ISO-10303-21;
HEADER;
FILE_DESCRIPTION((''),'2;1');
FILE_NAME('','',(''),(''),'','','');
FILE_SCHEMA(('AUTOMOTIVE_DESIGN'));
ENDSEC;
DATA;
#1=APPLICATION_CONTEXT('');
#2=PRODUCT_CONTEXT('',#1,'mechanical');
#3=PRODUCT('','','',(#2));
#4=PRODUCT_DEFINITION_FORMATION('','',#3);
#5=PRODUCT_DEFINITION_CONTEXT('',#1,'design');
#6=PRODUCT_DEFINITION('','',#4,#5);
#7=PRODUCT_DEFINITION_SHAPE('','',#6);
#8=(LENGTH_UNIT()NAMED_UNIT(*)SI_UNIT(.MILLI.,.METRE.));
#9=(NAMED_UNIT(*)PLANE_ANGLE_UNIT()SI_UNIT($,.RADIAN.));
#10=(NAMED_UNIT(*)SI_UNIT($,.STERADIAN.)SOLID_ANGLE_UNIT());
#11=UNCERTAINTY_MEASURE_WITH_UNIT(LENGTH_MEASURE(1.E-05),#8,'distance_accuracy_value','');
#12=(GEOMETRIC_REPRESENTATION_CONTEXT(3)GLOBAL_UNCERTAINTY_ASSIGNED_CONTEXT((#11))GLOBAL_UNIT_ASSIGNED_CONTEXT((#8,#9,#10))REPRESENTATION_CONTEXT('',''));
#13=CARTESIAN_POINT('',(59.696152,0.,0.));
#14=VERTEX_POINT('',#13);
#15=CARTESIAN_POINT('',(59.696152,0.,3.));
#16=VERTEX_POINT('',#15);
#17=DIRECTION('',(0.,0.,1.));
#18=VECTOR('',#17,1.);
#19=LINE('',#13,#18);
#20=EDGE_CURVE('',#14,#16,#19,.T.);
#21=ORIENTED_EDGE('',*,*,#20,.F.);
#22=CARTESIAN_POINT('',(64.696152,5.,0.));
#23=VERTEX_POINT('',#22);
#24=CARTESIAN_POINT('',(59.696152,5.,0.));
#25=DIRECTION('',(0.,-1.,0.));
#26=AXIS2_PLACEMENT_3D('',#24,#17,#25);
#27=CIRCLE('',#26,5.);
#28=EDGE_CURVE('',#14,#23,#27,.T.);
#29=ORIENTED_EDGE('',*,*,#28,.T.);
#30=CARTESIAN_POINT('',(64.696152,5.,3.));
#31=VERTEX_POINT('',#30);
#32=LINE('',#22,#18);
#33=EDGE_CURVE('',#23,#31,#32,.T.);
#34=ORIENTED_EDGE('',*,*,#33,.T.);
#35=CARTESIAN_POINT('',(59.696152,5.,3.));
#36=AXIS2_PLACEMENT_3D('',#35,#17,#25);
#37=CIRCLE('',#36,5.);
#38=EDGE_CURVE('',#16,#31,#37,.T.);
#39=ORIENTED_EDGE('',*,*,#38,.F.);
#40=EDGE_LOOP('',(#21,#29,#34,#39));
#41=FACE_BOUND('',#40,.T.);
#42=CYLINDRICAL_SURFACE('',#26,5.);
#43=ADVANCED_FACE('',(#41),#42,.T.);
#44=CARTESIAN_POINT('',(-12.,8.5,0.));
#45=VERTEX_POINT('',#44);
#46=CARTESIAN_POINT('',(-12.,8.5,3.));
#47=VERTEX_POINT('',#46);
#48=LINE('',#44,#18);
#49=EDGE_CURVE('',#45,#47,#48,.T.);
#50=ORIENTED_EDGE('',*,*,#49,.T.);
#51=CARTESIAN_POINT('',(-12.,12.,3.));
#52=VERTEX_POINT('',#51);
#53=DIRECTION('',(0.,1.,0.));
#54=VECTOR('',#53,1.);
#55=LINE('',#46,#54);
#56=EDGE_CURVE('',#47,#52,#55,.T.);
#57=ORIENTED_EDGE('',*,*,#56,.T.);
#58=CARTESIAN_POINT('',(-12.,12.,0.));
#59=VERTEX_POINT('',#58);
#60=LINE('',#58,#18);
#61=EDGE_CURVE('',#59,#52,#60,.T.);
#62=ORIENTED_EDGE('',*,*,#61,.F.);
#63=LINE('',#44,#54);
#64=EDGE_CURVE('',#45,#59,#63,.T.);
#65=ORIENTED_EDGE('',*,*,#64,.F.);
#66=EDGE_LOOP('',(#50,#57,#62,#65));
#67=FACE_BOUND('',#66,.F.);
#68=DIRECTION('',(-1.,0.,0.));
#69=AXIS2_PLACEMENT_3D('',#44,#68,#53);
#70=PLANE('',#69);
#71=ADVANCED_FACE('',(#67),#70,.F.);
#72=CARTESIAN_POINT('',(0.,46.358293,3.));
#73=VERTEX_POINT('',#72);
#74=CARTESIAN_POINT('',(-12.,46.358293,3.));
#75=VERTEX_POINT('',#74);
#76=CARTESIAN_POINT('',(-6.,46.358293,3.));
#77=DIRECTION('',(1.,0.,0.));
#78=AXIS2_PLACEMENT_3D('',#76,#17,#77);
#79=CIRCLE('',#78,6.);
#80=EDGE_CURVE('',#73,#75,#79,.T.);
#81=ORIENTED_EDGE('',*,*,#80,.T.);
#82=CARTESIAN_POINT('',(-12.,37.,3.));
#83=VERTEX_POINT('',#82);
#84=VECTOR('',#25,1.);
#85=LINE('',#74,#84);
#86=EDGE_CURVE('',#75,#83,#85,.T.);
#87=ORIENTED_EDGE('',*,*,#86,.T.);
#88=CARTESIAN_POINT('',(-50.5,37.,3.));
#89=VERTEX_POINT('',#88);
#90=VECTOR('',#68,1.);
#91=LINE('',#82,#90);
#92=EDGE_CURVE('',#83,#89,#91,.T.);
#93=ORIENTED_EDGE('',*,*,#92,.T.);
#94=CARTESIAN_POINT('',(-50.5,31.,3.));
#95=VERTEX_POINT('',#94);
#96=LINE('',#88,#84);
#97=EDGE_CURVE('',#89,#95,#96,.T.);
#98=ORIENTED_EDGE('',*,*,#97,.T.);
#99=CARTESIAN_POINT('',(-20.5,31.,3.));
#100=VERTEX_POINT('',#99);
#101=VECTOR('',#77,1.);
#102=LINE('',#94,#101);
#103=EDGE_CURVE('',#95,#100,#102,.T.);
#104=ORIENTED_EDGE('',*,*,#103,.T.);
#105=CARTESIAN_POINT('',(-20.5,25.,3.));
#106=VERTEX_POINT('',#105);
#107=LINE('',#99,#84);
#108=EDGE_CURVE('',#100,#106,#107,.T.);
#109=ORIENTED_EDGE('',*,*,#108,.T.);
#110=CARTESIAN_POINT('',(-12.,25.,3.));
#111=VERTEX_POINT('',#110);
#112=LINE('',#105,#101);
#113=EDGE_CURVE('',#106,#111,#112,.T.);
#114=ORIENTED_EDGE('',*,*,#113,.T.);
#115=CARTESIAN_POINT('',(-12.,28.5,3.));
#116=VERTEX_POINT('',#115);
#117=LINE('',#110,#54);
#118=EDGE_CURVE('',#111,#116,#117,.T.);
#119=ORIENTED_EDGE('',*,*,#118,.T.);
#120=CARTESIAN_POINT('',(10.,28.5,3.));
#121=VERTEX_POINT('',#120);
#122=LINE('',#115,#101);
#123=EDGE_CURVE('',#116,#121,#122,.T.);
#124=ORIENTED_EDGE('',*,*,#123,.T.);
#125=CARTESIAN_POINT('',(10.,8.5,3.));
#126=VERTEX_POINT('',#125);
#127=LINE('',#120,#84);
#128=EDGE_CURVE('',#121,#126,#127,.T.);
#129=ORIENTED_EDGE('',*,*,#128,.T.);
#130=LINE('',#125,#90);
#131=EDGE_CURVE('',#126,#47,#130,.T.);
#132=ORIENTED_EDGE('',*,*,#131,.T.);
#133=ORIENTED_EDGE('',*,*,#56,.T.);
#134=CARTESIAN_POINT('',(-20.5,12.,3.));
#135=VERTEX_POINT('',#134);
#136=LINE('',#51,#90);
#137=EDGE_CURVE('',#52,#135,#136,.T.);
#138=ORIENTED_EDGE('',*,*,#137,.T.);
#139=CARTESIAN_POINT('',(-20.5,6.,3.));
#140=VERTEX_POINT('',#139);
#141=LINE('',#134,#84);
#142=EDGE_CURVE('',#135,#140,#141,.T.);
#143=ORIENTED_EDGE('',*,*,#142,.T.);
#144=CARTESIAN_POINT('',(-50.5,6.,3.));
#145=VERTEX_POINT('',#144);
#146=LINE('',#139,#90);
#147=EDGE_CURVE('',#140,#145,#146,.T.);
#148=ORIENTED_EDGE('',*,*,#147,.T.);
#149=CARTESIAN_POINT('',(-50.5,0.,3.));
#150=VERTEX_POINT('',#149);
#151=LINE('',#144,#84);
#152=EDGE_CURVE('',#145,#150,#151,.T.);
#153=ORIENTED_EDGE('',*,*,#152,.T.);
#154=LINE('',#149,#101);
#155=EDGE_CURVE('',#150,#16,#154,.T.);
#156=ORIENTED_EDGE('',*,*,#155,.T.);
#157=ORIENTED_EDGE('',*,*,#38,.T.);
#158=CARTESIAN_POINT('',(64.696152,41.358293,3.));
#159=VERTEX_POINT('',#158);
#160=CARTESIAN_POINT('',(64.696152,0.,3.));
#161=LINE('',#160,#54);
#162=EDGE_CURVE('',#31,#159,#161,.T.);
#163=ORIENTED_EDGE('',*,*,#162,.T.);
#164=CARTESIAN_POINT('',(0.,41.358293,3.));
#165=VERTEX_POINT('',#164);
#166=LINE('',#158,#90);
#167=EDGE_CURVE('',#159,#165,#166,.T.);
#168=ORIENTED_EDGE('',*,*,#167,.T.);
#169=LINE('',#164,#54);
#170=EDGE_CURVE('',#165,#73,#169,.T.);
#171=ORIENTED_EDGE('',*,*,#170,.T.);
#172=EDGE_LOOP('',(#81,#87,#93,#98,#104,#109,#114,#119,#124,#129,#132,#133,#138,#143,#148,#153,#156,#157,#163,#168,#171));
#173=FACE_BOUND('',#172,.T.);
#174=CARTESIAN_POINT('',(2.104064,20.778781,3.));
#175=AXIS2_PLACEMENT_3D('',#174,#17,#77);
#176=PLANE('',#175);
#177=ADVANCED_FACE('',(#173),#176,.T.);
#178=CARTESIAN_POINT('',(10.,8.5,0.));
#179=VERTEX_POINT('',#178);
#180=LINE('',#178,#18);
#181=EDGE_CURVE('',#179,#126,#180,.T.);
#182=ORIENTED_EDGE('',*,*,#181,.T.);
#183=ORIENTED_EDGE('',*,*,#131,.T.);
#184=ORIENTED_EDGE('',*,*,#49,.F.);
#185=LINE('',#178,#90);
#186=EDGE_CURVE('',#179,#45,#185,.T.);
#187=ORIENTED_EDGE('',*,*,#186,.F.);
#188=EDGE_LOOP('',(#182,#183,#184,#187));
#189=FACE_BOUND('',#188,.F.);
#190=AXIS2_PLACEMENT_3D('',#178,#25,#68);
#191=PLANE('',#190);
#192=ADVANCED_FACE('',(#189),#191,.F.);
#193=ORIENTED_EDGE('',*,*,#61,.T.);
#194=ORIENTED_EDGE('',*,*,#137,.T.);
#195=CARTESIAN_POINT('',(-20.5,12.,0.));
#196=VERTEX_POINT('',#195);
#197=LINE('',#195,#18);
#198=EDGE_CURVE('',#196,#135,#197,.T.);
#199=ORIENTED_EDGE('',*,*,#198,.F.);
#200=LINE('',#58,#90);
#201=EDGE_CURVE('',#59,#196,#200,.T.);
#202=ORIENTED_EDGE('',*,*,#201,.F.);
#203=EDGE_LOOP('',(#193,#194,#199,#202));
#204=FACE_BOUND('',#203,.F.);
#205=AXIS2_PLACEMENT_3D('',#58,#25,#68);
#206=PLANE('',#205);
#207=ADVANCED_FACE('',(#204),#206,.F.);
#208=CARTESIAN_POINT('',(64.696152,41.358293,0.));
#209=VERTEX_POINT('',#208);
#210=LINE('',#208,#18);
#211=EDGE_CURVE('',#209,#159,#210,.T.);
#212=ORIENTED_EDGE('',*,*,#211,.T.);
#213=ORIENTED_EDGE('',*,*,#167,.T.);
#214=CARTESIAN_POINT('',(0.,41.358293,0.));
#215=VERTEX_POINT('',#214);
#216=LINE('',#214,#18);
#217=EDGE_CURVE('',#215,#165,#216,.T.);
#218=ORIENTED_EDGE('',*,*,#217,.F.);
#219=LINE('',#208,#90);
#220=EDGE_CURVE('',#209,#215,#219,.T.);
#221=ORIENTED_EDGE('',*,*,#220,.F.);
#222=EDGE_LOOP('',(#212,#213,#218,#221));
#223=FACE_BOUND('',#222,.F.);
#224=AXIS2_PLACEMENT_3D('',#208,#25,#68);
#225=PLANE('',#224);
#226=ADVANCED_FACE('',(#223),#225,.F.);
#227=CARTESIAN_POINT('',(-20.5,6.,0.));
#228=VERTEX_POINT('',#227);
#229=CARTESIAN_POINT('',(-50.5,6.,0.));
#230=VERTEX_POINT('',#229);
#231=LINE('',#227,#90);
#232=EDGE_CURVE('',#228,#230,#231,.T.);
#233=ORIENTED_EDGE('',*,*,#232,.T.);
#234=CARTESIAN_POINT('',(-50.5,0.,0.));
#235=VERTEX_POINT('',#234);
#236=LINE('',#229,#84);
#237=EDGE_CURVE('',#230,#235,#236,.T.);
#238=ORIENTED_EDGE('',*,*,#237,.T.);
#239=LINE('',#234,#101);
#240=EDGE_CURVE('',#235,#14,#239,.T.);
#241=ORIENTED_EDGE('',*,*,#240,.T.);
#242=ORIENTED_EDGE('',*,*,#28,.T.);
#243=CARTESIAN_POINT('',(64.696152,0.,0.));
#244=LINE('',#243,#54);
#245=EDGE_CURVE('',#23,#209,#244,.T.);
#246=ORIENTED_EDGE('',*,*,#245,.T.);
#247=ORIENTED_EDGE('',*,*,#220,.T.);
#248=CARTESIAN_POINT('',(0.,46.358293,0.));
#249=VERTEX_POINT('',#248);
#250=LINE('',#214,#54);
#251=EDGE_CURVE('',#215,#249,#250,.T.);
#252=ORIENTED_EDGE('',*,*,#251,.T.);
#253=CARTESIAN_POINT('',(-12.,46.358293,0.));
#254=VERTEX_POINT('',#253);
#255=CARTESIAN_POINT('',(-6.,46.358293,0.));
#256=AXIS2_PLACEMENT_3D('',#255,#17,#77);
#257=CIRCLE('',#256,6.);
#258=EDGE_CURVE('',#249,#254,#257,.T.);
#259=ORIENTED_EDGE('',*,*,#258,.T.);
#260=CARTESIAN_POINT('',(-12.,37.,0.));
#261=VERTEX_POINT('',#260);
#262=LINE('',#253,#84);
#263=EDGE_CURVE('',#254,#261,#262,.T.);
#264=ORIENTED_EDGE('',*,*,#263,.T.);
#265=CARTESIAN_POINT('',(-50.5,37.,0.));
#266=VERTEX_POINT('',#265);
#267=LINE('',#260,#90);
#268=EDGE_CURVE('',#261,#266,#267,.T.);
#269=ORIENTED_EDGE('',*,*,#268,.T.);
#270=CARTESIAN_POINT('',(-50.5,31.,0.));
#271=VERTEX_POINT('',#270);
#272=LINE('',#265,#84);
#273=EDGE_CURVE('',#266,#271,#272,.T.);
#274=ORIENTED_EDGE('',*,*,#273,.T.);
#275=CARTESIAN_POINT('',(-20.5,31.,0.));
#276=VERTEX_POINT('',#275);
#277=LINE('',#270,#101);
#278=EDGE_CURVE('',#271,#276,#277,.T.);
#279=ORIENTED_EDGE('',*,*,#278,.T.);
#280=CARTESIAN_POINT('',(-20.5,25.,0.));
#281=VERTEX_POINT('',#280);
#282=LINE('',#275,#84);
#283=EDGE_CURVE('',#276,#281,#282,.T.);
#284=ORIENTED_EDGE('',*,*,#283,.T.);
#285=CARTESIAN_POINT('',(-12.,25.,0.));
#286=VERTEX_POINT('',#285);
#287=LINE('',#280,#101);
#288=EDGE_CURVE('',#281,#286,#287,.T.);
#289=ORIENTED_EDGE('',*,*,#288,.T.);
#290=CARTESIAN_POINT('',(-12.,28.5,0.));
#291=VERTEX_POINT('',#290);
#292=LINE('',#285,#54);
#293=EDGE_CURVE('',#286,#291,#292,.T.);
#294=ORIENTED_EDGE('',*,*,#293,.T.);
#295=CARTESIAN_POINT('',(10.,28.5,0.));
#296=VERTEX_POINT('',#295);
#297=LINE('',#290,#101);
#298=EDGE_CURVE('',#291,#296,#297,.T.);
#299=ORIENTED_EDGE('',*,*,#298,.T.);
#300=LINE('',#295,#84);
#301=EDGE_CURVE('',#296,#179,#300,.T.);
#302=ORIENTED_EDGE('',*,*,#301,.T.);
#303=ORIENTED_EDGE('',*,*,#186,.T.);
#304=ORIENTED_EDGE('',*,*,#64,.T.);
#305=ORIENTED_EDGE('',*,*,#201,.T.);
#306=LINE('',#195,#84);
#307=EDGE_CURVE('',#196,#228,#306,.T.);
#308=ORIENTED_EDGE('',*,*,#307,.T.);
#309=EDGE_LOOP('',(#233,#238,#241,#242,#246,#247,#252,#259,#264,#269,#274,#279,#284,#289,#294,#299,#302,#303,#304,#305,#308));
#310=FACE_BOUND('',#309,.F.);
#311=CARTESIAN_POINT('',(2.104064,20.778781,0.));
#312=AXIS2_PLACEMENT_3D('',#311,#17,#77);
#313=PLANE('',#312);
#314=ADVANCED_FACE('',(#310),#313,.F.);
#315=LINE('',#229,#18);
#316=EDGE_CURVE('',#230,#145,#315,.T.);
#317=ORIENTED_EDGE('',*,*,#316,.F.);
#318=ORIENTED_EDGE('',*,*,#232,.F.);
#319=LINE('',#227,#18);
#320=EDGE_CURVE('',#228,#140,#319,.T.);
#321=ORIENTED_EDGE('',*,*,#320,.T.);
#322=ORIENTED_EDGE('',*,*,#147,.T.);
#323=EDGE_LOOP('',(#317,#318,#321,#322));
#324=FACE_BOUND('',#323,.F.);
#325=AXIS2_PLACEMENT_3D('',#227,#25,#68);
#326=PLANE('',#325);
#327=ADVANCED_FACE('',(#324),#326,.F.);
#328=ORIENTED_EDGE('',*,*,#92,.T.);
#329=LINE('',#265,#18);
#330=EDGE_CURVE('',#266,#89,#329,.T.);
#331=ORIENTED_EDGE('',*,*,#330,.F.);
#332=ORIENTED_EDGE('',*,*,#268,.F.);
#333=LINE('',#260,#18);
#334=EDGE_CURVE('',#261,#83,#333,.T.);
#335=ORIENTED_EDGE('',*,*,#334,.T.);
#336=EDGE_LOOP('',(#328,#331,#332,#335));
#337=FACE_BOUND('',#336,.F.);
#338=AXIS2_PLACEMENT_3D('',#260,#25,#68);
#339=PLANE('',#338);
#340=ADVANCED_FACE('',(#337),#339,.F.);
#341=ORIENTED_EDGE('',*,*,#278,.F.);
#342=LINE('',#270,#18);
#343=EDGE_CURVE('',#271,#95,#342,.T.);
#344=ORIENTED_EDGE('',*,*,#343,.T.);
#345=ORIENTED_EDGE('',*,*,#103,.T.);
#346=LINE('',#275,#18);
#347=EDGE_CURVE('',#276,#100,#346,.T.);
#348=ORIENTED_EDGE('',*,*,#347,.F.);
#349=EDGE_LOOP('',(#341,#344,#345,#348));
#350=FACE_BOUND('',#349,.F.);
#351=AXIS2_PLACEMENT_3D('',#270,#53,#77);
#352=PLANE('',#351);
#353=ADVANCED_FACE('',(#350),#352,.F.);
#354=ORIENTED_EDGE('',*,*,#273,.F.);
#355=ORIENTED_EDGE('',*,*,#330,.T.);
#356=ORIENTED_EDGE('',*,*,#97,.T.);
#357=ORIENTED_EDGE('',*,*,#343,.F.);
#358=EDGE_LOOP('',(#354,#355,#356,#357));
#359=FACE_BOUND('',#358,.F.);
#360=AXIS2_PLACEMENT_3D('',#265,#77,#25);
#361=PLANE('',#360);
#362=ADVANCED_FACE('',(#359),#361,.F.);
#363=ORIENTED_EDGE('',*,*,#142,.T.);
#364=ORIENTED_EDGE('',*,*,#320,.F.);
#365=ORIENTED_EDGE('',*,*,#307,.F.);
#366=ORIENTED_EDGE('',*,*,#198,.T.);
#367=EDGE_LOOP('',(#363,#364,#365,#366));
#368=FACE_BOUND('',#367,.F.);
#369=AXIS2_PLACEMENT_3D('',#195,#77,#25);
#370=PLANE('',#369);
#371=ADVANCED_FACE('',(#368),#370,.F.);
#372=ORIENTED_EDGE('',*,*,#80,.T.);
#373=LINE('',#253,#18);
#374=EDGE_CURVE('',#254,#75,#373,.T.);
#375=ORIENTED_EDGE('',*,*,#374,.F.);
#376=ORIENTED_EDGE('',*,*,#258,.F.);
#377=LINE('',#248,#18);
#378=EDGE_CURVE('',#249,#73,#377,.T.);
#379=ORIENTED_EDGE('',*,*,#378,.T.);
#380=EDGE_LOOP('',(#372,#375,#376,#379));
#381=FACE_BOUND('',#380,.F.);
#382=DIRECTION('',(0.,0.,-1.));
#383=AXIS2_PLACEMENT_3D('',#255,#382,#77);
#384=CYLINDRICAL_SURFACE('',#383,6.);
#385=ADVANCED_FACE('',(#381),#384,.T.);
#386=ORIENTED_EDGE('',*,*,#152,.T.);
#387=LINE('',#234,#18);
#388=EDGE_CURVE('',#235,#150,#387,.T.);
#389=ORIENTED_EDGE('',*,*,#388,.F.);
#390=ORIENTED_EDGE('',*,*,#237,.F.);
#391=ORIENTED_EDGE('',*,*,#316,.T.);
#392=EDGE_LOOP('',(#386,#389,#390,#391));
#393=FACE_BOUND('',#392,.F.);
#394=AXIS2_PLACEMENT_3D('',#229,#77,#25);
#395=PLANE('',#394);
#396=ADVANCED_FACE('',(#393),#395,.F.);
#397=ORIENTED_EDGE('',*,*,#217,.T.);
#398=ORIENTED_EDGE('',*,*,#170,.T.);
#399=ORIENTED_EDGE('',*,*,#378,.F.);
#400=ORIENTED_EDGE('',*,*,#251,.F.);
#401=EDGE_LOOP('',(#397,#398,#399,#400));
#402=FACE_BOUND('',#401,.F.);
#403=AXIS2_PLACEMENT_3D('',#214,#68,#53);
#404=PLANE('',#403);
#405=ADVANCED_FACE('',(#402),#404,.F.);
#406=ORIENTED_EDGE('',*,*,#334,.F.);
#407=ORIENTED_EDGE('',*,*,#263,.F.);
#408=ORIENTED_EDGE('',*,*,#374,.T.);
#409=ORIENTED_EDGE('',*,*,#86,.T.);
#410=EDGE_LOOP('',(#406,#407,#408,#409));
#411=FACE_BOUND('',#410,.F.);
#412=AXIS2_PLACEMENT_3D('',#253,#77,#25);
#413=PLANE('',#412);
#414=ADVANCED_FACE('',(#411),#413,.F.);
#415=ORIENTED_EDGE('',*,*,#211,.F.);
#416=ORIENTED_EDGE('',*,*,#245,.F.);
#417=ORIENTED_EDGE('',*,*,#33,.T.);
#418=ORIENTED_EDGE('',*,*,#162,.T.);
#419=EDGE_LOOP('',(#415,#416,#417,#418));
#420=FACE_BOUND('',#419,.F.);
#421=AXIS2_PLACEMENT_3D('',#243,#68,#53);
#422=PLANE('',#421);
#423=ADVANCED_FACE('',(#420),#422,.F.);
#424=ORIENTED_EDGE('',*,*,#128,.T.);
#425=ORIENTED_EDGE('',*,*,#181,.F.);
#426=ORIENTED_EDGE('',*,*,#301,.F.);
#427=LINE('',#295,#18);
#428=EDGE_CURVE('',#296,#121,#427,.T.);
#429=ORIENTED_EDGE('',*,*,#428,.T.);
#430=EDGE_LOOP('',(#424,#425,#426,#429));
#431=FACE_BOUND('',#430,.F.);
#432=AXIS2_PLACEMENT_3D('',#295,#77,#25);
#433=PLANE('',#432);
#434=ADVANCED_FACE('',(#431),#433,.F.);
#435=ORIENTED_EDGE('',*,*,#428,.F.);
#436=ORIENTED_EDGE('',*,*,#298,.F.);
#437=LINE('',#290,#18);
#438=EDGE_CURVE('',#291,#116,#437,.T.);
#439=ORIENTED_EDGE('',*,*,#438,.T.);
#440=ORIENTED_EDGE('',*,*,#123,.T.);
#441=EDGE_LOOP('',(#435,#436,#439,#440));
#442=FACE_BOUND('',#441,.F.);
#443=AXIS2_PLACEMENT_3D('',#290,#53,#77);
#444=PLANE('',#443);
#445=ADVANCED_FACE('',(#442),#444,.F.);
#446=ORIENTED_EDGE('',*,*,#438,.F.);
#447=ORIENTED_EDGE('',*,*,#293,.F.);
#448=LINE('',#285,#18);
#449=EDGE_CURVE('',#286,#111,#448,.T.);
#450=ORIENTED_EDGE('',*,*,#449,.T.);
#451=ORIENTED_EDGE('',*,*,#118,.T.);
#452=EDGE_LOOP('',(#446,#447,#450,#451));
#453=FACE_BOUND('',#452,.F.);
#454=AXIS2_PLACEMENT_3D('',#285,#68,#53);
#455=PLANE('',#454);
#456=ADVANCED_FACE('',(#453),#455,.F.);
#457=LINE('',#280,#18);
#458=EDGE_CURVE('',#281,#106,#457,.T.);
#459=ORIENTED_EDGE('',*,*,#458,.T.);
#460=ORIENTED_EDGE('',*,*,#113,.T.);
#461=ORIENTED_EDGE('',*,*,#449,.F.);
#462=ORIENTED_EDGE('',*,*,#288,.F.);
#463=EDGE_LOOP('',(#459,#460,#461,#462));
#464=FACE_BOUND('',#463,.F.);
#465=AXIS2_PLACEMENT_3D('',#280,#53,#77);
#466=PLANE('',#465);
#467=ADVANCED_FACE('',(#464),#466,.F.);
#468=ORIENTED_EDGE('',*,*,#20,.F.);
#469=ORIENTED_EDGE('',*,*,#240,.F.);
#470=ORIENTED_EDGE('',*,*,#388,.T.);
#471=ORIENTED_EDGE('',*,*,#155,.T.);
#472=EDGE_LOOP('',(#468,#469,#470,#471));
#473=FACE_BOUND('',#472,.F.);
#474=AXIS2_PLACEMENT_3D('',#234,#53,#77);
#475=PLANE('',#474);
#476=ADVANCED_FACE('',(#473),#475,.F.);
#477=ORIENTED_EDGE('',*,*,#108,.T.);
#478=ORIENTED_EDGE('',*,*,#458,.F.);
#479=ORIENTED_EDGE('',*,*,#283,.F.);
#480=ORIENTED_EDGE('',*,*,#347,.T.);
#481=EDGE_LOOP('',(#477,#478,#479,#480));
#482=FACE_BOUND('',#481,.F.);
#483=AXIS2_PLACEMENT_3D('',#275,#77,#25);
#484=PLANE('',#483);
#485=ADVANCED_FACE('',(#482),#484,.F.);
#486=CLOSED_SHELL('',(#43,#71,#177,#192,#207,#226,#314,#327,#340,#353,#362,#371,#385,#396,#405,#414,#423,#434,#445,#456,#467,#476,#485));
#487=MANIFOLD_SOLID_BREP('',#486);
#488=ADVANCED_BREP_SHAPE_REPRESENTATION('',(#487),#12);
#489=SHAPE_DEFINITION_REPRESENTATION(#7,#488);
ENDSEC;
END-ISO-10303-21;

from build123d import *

# Parameters (mm, degrees)
F1_DEPTH = 3
F2_R     = 5


with BuildPart() as f1:
    # F0 (on Top) → F1 (new body)
    with BuildSketch(Plane.XY):
        with BuildLine():
            Line((-50.5, 0), (64.696152, 0))
            Line((64.696152, 0), (64.696152, 41.358293))
            Line((64.696152, 41.358293), (0, 41.358293))
            Line((0, 41.358293), (0, 46.358293))
            ThreePointArc((0, 46.358293), (-6, 52.358293), (-12, 46.358293))
            Line((-12, 46.358293), (-12, 37))
            Line((-12, 37), (-50.5, 37))
            Line((-50.5, 37), (-50.5, 31))
            Line((-50.5, 31), (-20.5, 31))
            Line((-20.5, 31), (-20.5, 25))
            Line((-20.5, 25), (-12, 25))
            Line((-12, 25), (-12, 28.5))
            Line((-12, 28.5), (0, 28.5))
            Line((0, 28.5), (10, 28.5))
            Line((10, 28.5), (10, 8.5))
            Line((10, 8.5), (0, 8.5))
            Line((0, 8.5), (-12, 8.5))
            Line((-12, 8.5), (-12, 12))
            Line((-12, 12), (-20.5, 12))
            Line((-20.5, 12), (-20.5, 6))
            Line((-20.5, 6), (-50.5, 6))
            Line((-50.5, 6), (-50.5, 0))
        make_face()
    extrude(amount=F1_DEPTH)

    # F2
    f2_edges = [f1.edges().sort_by_distance(p)[0] for p in [
        (64.696152, 0, 1.5),
    ]]
    fillet(f2_edges, radius=F2_R)


solid = f1.part
